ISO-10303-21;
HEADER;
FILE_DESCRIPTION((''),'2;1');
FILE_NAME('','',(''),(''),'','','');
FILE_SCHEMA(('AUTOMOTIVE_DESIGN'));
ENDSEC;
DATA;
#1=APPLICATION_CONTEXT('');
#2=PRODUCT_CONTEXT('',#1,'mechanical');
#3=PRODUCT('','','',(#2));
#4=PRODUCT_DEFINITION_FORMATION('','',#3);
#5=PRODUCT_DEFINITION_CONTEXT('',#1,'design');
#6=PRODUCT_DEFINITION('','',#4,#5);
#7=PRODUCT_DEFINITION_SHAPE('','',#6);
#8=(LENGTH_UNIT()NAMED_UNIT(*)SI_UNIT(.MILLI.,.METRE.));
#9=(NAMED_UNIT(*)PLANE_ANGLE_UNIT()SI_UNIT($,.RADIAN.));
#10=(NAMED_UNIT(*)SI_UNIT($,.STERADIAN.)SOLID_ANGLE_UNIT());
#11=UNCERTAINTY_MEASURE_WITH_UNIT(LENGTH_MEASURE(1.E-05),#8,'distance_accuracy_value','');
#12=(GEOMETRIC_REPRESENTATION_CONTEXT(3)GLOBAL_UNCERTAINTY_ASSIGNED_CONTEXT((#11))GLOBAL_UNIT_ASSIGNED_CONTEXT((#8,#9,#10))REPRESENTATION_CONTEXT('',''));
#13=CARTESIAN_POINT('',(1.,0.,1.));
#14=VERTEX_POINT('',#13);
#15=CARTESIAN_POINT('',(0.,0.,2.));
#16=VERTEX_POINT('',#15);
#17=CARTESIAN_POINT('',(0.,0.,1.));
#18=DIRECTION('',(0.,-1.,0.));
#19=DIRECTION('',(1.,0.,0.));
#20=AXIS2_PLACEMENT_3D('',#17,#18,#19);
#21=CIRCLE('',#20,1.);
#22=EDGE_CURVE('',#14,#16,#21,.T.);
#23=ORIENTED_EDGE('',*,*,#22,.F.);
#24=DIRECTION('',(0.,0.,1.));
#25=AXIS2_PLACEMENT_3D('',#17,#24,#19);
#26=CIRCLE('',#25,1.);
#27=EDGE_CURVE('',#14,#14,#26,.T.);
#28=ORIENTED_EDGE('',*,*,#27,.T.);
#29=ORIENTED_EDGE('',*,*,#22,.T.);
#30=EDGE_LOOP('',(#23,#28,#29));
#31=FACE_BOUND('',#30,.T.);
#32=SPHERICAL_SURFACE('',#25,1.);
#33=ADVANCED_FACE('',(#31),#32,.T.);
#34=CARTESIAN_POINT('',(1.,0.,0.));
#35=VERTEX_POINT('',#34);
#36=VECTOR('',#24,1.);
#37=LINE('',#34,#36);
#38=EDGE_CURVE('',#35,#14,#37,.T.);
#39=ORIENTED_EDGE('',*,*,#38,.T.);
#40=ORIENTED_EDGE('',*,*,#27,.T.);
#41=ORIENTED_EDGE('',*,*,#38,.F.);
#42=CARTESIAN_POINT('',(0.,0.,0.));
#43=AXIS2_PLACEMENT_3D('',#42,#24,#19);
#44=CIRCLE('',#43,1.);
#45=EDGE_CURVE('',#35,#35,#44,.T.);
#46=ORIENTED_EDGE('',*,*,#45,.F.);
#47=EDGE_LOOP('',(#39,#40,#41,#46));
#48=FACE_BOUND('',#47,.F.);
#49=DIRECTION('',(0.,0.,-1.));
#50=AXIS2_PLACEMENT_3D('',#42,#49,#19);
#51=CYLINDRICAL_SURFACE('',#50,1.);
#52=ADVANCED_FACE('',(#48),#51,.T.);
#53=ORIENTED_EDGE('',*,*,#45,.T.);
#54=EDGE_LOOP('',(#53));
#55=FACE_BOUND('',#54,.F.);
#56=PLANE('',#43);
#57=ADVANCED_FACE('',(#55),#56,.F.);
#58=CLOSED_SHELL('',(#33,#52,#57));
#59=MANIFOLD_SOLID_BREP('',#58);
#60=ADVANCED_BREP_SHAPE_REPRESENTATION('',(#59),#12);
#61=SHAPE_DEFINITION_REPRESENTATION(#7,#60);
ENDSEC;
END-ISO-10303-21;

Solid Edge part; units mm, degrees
sketch "Sketch1" plane through (0, 0, 0) normal (0, 0, 1) x (1, 0, 0)
  circle A0 centre (0, 0) radius 1
extrude "Protrusion1" add sketch "Sketch1" along normal blind 2
fillet "Round_1" radius 1 1 edges at (-1, 0, 2)
